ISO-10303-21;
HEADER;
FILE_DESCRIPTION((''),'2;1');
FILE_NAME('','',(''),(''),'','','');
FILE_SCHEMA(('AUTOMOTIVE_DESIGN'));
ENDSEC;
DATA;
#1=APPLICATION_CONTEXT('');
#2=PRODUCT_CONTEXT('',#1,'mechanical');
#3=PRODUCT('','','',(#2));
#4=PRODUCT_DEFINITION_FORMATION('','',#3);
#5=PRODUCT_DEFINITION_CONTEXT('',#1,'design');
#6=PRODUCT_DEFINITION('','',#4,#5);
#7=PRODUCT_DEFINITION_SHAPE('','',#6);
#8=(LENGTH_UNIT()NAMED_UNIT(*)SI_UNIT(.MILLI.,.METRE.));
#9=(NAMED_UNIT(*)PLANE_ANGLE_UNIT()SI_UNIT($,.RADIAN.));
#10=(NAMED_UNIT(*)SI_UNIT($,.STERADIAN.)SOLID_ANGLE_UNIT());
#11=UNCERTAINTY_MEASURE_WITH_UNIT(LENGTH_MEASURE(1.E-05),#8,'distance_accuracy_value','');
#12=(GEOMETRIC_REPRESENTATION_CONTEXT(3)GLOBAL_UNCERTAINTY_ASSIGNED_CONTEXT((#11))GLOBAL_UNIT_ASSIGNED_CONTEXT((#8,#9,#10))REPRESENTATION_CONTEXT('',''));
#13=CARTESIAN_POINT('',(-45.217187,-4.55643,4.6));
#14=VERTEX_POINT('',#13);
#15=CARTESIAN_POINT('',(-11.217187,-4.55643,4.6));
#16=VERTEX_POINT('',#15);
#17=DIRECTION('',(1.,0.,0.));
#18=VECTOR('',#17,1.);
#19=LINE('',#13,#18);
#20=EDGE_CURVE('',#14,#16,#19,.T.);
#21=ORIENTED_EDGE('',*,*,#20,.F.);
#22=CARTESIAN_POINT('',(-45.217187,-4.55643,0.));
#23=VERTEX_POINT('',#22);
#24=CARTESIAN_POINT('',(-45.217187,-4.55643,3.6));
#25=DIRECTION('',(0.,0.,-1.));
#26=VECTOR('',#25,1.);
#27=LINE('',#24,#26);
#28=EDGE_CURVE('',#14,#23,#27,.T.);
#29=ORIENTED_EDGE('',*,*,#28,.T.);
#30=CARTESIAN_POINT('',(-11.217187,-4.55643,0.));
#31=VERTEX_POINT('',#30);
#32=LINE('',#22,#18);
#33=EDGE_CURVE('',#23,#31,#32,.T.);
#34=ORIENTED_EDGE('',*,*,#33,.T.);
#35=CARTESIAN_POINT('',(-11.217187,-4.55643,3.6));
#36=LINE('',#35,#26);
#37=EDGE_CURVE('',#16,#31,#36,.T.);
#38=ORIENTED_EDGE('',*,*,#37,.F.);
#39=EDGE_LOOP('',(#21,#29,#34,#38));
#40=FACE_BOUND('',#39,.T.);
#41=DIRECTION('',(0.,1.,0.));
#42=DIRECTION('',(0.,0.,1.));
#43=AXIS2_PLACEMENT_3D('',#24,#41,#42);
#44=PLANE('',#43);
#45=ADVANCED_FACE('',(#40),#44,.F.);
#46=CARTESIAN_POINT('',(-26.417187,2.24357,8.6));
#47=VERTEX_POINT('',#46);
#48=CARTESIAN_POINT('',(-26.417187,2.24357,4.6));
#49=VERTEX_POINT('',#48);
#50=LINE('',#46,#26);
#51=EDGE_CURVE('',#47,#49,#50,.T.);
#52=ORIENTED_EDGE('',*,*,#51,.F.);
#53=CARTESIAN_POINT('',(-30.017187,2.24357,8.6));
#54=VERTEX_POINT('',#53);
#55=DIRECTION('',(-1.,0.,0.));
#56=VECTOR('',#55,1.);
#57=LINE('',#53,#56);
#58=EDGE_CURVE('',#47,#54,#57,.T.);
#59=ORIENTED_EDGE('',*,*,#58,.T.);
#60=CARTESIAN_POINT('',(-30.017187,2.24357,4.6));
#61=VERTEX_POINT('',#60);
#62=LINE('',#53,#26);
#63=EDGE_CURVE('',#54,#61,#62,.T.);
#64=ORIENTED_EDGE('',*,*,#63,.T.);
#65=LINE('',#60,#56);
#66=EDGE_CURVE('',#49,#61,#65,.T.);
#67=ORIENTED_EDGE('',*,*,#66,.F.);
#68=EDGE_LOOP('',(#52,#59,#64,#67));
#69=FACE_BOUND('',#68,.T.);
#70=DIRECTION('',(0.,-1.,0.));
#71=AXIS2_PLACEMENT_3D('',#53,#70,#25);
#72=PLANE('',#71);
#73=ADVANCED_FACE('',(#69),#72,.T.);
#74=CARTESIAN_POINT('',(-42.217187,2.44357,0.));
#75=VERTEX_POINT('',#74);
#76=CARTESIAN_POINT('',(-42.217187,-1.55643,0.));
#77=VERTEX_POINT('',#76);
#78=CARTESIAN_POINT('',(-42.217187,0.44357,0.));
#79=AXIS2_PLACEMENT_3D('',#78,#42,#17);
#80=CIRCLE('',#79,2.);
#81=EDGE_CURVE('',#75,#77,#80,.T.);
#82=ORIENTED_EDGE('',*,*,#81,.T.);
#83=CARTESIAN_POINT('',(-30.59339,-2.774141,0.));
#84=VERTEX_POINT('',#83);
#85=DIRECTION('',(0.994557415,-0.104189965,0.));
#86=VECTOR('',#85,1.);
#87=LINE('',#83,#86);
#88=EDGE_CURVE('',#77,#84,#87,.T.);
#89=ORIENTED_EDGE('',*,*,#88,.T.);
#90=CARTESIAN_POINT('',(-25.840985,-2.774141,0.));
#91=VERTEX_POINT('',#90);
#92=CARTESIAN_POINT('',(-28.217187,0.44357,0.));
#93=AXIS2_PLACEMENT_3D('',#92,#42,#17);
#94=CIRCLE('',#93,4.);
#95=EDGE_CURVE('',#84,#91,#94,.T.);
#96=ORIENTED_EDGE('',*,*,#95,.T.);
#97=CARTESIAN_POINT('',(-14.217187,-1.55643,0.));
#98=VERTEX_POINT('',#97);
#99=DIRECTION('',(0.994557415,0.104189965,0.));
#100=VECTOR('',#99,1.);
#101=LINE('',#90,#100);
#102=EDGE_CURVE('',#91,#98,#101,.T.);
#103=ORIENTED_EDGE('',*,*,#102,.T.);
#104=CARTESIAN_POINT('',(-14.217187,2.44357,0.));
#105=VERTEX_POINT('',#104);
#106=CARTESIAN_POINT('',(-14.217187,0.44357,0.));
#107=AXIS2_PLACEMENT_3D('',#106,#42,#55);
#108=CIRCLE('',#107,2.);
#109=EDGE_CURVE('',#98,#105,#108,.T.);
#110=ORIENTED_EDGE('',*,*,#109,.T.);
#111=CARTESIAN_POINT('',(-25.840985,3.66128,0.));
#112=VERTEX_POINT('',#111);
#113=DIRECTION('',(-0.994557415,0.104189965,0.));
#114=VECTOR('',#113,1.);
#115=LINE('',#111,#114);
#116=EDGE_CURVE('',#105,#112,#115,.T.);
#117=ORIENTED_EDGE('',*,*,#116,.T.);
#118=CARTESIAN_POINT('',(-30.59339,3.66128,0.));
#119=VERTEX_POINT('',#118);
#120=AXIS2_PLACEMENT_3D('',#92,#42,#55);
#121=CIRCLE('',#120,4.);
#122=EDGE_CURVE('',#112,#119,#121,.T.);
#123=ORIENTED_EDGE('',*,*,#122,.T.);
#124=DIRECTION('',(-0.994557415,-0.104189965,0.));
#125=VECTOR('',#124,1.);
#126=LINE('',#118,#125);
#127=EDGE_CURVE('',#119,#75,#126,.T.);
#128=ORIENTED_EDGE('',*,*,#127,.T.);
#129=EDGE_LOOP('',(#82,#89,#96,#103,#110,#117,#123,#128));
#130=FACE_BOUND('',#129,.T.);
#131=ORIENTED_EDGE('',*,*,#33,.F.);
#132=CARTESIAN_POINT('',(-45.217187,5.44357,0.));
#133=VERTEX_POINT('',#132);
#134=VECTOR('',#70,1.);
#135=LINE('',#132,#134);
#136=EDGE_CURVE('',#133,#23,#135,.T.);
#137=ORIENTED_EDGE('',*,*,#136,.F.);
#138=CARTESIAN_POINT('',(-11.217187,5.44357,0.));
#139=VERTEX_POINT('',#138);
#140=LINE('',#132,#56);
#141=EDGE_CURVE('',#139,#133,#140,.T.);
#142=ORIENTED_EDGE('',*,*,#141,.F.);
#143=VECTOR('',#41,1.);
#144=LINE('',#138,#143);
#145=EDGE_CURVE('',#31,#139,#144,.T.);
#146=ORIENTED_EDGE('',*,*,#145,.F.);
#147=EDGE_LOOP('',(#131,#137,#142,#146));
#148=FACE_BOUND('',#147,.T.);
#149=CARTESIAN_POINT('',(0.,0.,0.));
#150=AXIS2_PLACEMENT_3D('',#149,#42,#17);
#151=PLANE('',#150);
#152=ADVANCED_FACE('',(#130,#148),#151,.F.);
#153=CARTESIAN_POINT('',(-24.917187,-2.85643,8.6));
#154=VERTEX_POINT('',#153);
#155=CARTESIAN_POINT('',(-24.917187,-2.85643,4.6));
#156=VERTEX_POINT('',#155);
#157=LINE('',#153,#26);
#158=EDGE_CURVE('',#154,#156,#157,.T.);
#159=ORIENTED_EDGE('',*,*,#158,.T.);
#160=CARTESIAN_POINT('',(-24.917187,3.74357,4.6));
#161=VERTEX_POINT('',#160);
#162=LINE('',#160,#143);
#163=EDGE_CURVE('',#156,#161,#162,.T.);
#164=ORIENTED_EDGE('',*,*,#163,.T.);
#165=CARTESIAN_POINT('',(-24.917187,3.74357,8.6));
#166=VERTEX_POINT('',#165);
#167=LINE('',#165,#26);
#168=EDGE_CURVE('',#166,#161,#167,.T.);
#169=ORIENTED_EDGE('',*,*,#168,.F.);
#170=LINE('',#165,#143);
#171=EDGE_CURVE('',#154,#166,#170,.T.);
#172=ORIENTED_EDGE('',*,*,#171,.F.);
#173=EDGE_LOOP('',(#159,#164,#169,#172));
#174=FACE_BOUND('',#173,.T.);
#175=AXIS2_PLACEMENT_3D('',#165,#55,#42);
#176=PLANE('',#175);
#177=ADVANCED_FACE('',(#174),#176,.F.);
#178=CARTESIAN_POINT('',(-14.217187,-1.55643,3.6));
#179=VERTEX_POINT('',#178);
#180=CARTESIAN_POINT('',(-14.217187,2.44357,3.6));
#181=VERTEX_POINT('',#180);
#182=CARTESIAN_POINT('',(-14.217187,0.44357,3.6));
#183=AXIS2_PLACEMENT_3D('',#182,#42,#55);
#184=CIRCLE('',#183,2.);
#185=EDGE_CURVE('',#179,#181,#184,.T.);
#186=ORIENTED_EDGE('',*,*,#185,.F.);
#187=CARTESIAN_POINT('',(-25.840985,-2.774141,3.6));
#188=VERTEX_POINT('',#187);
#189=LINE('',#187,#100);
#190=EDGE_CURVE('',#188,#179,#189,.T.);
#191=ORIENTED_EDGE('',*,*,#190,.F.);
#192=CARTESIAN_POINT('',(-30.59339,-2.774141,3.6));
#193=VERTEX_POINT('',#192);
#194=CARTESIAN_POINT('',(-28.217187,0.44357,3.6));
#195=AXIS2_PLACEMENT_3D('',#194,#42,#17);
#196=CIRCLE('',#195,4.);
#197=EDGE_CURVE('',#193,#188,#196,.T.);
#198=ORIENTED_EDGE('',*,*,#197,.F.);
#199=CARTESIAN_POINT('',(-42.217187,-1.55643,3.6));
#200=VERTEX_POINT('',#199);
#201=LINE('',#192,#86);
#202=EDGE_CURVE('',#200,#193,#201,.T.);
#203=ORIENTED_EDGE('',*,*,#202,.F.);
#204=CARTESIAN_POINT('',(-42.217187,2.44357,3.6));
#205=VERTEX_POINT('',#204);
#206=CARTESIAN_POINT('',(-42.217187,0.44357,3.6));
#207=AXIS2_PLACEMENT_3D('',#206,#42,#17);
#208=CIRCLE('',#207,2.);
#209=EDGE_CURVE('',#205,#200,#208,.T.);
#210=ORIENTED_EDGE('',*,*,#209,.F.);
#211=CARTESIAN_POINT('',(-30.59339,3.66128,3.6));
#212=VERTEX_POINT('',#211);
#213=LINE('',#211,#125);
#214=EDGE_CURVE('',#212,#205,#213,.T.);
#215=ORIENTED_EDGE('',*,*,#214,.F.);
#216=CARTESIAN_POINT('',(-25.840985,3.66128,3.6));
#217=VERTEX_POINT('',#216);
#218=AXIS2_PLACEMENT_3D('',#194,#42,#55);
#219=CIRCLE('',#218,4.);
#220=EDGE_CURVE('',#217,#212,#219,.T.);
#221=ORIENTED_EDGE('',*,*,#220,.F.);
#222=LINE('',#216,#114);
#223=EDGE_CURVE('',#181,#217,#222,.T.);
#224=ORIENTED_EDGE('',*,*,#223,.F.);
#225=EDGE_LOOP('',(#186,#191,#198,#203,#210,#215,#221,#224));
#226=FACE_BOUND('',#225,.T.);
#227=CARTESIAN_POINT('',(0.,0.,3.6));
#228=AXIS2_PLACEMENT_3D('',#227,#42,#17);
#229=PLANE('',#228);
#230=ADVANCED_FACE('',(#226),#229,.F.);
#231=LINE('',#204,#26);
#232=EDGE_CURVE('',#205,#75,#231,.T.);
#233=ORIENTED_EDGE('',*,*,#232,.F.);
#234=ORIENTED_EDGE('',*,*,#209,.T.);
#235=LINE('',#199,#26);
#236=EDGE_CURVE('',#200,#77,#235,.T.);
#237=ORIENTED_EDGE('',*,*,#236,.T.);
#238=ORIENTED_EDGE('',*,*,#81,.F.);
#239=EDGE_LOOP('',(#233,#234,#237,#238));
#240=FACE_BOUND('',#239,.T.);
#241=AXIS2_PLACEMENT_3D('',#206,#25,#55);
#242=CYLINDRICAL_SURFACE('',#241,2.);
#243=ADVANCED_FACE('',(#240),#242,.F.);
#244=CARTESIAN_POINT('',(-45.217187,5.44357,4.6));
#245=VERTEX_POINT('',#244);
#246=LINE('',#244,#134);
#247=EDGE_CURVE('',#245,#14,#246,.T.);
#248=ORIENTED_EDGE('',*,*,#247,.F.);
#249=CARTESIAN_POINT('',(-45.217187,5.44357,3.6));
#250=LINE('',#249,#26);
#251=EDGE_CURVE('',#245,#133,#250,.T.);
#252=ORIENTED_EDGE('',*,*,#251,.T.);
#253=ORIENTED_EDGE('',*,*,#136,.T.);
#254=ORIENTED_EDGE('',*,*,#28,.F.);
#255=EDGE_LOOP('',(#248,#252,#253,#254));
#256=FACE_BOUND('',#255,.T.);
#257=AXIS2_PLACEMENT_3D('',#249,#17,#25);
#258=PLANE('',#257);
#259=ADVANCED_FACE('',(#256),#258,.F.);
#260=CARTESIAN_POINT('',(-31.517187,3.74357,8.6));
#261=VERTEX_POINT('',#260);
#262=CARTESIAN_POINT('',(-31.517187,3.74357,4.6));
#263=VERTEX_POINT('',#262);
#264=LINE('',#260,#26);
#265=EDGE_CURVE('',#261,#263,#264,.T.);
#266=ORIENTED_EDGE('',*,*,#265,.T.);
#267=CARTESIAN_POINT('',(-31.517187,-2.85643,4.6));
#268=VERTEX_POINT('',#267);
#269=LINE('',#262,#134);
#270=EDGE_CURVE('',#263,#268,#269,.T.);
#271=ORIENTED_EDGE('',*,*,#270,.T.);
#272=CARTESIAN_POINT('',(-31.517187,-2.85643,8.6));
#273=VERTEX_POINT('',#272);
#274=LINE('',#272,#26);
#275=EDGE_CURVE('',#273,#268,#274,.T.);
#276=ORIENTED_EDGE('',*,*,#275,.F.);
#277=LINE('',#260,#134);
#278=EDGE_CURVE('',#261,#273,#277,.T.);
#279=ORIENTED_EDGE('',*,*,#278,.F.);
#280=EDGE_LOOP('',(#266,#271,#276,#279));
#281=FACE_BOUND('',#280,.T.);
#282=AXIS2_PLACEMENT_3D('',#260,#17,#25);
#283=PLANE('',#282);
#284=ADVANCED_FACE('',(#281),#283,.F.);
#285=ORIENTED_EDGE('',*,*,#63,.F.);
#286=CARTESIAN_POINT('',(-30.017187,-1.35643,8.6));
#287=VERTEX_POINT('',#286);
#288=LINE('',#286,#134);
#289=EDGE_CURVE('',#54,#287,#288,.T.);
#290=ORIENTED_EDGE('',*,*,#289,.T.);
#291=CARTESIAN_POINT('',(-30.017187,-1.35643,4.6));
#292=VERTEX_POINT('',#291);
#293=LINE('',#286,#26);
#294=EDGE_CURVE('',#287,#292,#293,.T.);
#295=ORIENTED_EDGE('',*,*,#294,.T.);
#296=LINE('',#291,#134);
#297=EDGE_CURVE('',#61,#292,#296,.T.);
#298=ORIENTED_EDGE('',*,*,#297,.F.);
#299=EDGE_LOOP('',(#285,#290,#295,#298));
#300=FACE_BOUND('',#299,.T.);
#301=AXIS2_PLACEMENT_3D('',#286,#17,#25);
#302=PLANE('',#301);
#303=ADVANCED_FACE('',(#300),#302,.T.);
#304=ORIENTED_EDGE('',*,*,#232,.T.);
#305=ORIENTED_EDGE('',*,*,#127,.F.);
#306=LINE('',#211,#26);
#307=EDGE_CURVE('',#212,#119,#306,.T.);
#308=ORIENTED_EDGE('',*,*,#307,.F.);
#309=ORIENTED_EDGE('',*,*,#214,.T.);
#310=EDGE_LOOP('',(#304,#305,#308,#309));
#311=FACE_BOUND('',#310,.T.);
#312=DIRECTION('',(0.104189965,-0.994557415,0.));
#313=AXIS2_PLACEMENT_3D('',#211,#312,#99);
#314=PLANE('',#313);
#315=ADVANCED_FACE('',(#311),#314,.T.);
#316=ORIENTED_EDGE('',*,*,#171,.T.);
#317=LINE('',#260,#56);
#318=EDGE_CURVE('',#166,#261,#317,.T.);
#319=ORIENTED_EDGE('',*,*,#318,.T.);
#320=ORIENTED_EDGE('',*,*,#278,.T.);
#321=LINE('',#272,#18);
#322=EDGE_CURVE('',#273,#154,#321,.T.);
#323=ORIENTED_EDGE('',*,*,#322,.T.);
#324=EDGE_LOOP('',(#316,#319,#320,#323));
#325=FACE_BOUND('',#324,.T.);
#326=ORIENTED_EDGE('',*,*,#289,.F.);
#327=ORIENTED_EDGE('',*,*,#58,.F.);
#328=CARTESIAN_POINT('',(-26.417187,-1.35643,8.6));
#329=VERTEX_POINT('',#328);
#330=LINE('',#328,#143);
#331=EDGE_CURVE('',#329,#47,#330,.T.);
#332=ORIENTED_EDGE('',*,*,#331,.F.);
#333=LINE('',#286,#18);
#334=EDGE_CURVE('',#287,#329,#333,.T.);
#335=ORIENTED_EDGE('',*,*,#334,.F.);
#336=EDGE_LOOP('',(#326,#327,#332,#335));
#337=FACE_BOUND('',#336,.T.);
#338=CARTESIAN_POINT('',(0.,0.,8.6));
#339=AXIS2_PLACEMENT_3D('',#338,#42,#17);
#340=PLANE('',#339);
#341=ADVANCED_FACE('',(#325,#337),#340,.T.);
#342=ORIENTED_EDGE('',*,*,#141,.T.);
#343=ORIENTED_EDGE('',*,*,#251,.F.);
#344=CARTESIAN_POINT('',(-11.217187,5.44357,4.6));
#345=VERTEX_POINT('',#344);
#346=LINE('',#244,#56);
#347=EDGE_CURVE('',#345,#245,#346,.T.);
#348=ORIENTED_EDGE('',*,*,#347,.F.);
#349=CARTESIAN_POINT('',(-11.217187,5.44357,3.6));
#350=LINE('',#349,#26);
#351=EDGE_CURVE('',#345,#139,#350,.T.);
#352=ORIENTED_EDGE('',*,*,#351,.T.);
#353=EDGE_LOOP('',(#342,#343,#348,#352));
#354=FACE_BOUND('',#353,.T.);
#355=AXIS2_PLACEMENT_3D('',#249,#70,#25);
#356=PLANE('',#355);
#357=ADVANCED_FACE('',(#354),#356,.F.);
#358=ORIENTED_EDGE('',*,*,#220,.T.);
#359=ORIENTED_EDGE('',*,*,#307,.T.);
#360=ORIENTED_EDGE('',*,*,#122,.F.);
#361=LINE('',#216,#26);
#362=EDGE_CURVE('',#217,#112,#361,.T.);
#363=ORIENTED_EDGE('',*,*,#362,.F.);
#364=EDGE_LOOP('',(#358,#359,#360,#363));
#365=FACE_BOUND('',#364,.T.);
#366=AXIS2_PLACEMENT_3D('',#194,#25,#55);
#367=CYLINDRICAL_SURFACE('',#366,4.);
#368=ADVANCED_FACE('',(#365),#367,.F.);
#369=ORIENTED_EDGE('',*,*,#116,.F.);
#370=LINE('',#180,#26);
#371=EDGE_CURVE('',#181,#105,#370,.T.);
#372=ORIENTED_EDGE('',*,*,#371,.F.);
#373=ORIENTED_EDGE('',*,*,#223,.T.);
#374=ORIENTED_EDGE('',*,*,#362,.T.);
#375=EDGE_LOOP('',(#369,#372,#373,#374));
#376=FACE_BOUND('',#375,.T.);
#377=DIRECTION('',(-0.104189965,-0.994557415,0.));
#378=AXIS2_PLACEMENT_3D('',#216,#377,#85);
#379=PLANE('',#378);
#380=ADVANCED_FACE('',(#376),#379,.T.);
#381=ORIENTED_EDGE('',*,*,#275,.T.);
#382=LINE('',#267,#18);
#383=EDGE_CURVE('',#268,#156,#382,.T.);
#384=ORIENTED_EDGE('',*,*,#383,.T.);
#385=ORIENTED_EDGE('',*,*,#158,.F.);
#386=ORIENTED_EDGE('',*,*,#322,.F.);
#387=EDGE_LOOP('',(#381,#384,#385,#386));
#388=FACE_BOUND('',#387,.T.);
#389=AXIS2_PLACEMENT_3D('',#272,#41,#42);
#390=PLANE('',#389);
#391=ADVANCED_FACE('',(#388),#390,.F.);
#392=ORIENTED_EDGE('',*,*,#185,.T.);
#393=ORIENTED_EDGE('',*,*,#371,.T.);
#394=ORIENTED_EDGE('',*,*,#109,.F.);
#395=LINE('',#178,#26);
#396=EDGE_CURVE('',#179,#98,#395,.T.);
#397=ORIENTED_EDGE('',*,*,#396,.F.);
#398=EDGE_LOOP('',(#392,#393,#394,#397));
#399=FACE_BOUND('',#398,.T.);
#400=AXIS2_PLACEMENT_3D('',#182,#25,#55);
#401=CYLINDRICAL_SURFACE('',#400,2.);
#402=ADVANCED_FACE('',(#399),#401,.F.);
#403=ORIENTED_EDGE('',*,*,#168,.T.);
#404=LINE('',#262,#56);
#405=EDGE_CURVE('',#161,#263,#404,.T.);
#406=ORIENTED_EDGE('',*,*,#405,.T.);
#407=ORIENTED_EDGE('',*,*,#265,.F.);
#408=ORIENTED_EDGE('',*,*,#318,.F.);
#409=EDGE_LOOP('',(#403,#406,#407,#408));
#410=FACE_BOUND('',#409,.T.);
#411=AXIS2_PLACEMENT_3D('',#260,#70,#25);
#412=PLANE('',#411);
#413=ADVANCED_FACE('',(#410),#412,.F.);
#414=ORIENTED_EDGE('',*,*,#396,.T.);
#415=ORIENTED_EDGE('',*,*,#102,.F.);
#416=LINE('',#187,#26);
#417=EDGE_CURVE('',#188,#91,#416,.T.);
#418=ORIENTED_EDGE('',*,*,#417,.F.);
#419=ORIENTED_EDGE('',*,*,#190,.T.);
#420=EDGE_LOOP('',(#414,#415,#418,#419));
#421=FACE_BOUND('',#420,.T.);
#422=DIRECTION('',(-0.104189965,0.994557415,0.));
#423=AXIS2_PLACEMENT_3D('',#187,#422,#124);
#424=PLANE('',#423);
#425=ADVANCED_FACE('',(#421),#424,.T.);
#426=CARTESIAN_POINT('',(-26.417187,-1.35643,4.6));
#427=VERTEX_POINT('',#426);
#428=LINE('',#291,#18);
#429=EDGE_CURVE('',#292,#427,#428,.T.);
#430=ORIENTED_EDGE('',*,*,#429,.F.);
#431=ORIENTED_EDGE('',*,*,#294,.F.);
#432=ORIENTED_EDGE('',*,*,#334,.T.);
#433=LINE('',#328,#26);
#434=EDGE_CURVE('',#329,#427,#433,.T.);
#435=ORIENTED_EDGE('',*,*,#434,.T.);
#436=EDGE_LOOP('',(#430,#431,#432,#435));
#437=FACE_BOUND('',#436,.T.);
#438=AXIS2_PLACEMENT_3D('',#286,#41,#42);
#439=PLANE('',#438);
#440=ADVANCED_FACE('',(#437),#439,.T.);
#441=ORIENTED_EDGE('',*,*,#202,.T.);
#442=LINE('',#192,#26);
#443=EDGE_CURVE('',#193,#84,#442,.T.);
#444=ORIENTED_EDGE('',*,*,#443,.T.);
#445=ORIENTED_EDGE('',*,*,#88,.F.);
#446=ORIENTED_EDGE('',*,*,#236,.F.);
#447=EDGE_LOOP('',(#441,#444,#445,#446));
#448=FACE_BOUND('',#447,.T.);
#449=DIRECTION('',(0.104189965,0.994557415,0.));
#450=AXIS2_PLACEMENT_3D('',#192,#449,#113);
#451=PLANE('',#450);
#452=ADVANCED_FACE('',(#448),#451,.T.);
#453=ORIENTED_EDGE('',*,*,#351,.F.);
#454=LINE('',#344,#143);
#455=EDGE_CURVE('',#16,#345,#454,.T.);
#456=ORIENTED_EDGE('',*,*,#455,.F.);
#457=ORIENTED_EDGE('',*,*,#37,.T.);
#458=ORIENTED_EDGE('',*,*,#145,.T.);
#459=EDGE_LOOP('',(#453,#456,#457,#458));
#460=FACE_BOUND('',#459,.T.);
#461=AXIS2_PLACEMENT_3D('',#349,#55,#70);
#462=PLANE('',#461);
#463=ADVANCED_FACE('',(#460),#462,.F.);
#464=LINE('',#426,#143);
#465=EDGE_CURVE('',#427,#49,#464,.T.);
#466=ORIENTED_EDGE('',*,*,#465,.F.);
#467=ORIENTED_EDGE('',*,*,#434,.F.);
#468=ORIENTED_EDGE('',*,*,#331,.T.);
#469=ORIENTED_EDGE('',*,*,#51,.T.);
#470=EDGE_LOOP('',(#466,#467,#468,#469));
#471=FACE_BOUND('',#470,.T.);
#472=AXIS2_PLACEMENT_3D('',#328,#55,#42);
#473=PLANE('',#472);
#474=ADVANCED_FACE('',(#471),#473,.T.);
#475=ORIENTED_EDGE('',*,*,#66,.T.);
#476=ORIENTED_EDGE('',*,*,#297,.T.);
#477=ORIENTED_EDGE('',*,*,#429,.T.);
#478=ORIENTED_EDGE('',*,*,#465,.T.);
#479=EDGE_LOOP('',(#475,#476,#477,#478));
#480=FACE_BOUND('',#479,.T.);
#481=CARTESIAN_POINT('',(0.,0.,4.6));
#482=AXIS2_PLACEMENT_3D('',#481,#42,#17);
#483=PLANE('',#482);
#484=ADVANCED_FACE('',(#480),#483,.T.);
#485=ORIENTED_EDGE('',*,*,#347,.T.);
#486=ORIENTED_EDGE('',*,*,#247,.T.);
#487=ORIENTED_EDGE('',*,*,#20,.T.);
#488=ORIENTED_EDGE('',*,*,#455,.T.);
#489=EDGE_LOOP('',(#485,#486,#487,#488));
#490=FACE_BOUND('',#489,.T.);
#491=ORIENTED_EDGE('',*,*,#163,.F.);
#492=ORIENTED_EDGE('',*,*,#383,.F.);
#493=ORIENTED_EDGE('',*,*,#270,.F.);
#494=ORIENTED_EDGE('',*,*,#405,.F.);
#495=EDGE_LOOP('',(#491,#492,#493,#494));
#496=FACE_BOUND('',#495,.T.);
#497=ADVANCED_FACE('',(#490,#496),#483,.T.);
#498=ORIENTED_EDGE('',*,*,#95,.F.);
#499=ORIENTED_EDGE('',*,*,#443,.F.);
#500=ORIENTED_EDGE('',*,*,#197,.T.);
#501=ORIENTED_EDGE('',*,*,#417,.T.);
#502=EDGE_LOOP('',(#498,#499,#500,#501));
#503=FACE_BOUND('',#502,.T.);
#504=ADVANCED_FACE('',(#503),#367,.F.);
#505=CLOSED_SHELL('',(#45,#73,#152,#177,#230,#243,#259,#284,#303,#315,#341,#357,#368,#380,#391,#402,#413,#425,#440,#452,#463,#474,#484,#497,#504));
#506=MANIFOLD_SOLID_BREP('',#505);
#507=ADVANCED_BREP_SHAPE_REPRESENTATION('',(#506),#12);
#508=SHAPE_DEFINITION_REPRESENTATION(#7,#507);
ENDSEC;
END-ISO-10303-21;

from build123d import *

# Parameters (mm, degrees)
CROQUIS1_W              = 34
CROQUIS1_H              = 10
SALIENTE_EXTRUIR1_DEPTH = 3.6
CROQUIS2_W              = 34
CROQUIS2_H              = 10
SALIENTE_EXTRUIR2_DEPTH = 1
CROQUIS3_W              = 6.6
CROQUIS3_H              = 6.6
CROQUIS3_W_2            = 3.6
CROQUIS3_H_2            = 3.6
SALIENTE_EXTRUIR3_DEPTH = 4


with BuildPart() as part:
    # Croquis1 → Saliente-Extruir1 (new body)
    with BuildSketch(Plane.XY):
        with Locations((-28.217187331, 0.443569554)):
            Rectangle(CROQUIS1_W, CROQUIS1_H)
        with BuildLine():
            Line((-25.840984713, 3.661280093), (-14.217187331, 2.443569554))
            ThreePointArc((-14.217187331, 2.443569554), (-12.217187331, 0.443569554), (-14.217187331, -1.556430446))
            Line((-14.217187331, -1.556430446), (-25.840984713, -2.774140986))
            ThreePointArc((-25.840984713, -2.774140986), (-28.217187331, -3.556430446), (-30.593389949, -2.774140986))
            Line((-30.593389949, -2.774140986), (-42.217187331, -1.556430446))
            ThreePointArc((-42.217187331, -1.556430446), (-44.217187331, 0.443569554), (-42.217187331, 2.443569554))
            Line((-42.217187331, 2.443569554), (-30.593389949, 3.661280093))
            ThreePointArc((-30.593389949, 3.661280093), (-28.217187331, 4.443569554), (-25.840984713, 3.661280093))
        make_face(mode=Mode.SUBTRACT)
    extrude(amount=SALIENTE_EXTRUIR1_DEPTH)

    # Croquis2 → Saliente-Extruir2 (add)
    with BuildSketch(Plane.XY.offset(3.6)):
        with Locations((-28.217187331, 0.443569554)):
            Rectangle(CROQUIS2_W, CROQUIS2_H)
    extrude(amount=SALIENTE_EXTRUIR2_DEPTH)

    # Croquis3 → Saliente-Extruir3 (add)
    with BuildSketch(Plane.XY.offset(4.6)):
        with Locations((-28.217187331, 0.443569554)):
            Rectangle(CROQUIS3_W, CROQUIS3_H)
        with Locations((-28.217187331, 0.443569554)):
            Rectangle(CROQUIS3_W_2, CROQUIS3_H_2, mode=Mode.SUBTRACT)
    extrude(amount=SALIENTE_EXTRUIR3_DEPTH)


solid = part.part
